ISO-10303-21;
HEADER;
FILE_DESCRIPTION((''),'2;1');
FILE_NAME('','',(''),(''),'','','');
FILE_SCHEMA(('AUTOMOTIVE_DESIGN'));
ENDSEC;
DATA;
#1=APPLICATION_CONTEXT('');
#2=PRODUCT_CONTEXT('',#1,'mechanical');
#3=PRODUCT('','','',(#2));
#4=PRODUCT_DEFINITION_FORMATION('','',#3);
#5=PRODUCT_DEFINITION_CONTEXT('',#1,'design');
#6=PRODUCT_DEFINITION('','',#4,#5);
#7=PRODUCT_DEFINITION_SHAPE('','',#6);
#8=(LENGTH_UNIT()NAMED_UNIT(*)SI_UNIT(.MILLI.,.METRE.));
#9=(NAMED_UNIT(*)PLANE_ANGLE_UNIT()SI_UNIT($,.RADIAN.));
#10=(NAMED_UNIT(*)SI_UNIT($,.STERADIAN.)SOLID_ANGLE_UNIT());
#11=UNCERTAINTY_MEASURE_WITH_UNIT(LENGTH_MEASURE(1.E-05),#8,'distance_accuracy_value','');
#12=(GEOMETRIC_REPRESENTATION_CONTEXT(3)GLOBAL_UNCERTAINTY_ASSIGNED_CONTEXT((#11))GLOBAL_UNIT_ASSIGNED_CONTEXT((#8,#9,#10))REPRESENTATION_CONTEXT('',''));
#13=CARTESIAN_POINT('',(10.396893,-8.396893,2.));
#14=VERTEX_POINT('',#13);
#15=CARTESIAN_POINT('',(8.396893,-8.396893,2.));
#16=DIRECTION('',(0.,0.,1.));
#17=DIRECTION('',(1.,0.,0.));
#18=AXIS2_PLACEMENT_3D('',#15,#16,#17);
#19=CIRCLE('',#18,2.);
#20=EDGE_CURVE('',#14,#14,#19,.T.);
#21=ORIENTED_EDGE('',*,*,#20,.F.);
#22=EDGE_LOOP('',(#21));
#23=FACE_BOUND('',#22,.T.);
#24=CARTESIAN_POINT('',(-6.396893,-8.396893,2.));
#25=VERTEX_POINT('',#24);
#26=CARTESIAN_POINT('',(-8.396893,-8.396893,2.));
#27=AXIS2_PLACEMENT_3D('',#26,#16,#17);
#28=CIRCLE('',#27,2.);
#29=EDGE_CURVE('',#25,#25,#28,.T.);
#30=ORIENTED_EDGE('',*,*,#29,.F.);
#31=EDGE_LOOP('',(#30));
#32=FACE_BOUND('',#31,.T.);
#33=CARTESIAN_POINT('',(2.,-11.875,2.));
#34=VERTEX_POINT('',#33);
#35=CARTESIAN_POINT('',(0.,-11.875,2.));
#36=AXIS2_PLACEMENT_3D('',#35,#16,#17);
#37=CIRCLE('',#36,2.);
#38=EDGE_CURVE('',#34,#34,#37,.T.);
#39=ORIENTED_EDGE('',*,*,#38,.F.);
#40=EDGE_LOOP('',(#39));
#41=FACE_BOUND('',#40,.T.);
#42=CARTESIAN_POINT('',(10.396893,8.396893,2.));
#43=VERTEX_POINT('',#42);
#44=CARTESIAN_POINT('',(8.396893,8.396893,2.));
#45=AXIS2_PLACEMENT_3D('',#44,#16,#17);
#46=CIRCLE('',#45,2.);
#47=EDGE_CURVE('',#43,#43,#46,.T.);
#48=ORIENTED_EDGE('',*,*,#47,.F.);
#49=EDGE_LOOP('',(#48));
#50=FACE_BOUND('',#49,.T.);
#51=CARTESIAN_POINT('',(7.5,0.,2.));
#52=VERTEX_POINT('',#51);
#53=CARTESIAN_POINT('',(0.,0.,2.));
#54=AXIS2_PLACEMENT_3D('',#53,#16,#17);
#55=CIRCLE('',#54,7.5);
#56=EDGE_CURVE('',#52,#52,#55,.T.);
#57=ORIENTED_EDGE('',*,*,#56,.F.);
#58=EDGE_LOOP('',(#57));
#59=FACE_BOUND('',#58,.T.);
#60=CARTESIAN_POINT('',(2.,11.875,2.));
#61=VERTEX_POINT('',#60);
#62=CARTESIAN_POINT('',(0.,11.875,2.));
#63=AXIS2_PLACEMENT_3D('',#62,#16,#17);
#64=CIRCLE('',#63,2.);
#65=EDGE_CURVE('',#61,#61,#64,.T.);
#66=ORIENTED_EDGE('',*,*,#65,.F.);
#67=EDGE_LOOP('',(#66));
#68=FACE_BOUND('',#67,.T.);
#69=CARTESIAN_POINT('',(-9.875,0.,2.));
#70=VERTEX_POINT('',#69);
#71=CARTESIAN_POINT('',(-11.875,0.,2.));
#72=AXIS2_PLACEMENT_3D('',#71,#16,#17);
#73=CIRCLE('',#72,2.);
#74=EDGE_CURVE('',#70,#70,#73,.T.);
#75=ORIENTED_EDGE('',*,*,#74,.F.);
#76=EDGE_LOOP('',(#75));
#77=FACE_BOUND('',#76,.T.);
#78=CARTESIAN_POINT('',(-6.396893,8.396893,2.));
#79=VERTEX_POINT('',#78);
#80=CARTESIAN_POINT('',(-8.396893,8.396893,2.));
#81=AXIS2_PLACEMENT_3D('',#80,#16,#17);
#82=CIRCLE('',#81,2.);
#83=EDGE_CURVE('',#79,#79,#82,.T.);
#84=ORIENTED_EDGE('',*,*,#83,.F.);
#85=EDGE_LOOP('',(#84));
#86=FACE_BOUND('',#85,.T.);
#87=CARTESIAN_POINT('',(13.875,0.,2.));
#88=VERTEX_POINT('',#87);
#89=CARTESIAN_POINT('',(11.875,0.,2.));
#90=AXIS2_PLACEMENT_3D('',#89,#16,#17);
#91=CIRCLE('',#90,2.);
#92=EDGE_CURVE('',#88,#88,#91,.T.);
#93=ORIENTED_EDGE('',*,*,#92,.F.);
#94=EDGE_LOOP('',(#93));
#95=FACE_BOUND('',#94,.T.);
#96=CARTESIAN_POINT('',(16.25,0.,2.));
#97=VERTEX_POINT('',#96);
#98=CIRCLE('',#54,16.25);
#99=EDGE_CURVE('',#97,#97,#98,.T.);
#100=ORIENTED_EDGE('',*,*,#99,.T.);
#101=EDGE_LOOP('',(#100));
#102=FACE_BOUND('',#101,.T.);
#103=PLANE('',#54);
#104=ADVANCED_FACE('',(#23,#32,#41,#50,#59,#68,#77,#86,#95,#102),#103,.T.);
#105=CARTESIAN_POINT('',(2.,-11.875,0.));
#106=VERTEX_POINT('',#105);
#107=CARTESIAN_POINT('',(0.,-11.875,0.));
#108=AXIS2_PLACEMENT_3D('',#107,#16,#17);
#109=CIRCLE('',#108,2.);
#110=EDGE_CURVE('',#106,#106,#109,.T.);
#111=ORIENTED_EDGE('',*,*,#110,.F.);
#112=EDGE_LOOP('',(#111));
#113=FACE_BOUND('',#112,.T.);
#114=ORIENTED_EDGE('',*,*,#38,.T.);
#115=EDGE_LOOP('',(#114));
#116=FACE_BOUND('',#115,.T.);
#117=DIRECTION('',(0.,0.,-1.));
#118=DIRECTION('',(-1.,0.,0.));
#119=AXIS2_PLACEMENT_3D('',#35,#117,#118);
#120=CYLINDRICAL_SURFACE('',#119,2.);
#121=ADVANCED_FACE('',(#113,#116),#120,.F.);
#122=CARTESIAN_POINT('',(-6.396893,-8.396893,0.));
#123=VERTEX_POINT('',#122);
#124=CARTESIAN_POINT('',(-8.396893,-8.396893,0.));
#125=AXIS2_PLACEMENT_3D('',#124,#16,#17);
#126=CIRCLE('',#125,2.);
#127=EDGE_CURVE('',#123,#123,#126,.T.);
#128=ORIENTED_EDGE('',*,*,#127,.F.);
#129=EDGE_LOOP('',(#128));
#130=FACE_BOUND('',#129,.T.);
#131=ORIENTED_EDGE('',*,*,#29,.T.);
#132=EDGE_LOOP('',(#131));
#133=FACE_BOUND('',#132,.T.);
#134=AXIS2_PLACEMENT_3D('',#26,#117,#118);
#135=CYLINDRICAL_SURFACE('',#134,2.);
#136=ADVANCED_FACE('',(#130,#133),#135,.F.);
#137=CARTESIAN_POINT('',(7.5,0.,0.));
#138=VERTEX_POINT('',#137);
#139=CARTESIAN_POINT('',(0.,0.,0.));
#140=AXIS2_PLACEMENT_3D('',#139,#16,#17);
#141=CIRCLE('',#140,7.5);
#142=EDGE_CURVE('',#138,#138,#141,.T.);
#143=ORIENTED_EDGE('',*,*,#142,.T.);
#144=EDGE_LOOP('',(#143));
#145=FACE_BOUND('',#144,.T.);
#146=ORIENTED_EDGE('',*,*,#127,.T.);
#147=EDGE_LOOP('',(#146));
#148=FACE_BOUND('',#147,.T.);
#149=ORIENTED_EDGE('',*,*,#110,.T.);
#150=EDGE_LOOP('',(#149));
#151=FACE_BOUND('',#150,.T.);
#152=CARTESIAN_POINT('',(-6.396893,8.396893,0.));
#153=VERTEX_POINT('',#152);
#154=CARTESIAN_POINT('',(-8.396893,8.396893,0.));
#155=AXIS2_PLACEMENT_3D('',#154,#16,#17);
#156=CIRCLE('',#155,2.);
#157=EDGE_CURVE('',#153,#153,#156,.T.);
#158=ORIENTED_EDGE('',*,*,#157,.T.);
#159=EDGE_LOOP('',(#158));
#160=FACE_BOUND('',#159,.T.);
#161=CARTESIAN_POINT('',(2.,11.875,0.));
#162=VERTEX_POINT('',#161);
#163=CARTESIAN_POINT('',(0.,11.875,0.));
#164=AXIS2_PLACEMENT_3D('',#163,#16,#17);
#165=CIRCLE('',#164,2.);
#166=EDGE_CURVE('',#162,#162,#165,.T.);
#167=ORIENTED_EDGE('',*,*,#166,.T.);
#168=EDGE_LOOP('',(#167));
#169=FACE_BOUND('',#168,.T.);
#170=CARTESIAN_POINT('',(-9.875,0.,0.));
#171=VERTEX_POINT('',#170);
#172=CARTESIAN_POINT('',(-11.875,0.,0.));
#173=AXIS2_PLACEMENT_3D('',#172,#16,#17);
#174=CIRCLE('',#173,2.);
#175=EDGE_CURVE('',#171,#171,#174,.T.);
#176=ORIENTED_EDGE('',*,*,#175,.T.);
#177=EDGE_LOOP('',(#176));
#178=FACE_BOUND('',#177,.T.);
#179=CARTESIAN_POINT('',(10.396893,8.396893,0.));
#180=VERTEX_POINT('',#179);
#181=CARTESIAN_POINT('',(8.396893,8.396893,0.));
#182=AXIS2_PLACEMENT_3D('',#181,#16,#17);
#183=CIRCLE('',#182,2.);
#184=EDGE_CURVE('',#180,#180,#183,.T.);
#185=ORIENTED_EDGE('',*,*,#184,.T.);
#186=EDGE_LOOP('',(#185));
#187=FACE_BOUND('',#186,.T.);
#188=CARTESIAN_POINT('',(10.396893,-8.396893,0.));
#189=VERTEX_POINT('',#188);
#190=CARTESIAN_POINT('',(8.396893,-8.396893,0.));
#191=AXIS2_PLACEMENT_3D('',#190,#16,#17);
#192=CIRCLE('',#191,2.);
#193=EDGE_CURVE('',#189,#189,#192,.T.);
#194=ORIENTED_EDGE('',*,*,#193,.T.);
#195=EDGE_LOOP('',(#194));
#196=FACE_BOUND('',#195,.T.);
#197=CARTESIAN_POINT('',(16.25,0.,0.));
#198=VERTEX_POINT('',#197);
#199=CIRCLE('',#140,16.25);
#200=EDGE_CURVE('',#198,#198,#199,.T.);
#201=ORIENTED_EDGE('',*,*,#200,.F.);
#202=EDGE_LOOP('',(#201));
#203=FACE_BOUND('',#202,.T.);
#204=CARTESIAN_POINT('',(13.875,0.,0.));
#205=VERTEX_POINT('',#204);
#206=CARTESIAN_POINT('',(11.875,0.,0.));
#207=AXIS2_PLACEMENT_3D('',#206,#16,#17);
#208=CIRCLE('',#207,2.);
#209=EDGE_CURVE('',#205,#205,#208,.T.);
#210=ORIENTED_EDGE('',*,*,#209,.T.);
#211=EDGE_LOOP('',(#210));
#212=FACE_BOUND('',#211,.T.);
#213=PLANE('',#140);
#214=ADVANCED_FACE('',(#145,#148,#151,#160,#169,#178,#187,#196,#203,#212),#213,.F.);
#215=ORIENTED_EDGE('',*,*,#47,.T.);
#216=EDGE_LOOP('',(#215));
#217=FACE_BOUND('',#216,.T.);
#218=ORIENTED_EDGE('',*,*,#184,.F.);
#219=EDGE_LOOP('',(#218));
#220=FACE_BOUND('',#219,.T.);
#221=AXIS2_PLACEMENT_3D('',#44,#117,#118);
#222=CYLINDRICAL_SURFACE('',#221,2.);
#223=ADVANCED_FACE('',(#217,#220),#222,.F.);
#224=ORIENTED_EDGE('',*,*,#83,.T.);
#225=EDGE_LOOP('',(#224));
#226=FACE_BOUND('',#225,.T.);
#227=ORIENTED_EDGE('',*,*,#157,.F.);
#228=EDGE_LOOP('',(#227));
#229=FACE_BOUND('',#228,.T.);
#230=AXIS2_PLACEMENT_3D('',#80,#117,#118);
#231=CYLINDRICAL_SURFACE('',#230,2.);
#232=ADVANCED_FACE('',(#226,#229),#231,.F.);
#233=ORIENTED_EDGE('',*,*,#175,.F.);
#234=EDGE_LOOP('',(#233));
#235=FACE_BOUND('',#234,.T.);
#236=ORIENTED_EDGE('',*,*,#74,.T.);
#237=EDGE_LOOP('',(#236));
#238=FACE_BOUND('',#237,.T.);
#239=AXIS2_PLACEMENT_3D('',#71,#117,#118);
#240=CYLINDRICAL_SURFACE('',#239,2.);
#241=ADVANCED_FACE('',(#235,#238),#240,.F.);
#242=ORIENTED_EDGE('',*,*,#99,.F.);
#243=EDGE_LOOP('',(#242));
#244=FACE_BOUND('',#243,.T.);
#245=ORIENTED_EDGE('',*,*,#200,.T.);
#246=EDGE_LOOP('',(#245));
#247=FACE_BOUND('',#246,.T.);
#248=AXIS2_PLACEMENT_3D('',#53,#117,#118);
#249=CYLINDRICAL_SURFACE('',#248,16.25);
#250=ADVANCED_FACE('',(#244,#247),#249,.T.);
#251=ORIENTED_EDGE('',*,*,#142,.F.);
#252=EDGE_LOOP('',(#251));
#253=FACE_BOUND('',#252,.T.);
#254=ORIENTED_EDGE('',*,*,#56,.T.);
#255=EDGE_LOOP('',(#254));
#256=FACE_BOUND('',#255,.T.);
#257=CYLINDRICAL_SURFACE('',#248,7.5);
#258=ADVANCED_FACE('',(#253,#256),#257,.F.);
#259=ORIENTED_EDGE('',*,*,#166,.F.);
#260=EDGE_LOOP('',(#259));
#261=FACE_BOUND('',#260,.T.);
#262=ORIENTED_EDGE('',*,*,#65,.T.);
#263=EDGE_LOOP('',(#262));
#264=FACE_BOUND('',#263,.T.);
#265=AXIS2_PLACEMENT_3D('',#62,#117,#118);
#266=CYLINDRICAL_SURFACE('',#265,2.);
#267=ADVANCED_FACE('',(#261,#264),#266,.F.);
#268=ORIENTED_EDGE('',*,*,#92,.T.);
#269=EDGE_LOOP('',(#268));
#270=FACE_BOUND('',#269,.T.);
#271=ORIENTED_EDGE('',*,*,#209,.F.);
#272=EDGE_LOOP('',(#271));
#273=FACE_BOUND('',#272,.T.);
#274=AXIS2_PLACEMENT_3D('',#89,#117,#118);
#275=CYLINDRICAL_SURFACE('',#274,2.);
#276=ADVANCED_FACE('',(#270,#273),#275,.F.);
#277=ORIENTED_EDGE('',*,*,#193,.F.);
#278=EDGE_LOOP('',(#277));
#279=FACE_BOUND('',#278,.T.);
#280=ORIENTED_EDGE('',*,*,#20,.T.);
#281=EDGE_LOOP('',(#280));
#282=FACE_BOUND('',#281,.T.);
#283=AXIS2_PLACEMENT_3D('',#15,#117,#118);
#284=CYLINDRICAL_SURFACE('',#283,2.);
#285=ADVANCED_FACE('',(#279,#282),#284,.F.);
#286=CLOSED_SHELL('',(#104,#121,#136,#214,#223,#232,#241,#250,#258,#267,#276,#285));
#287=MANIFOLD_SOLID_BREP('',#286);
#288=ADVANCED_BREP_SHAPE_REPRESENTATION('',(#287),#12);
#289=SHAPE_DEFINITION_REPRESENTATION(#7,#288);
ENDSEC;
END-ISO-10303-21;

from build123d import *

# Parameters (mm, degrees)
ESQUISSE1_R        = 16.25
ESQUISSE1_R_2      = 7.5
ESQUISSE1_R_3      = 2
BOSS_EXTRU_1_DEPTH = 2


with BuildPart() as part:
    # Esquisse1 → Boss.-Extru.1 (new body)
    with BuildSketch(Plane.XY):
        Circle(ESQUISSE1_R)
        Circle(ESQUISSE1_R_2, mode=Mode.SUBTRACT)
        with Locations((0, 11.875)):
            Circle(ESQUISSE1_R_3, mode=Mode.SUBTRACT)
        with Locations((8.396893027, 8.396893027)):
            Circle(ESQUISSE1_R_3, mode=Mode.SUBTRACT)
        with Locations((11.875, 0)):
            Circle(ESQUISSE1_R_3, mode=Mode.SUBTRACT)
        with Locations((8.396893027, -8.396893027)):
            Circle(ESQUISSE1_R_3, mode=Mode.SUBTRACT)
        with Locations((0, -11.875)):
            Circle(ESQUISSE1_R_3, mode=Mode.SUBTRACT)
        with Locations((-8.396893027, -8.396893027)):
            Circle(ESQUISSE1_R_3, mode=Mode.SUBTRACT)
        with Locations((-11.875, 0)):
            Circle(ESQUISSE1_R_3, mode=Mode.SUBTRACT)
        with Locations((-8.396893027, 8.396893027)):
            Circle(ESQUISSE1_R_3, mode=Mode.SUBTRACT)
    extrude(amount=BOSS_EXTRU_1_DEPTH)


solid = part.part
